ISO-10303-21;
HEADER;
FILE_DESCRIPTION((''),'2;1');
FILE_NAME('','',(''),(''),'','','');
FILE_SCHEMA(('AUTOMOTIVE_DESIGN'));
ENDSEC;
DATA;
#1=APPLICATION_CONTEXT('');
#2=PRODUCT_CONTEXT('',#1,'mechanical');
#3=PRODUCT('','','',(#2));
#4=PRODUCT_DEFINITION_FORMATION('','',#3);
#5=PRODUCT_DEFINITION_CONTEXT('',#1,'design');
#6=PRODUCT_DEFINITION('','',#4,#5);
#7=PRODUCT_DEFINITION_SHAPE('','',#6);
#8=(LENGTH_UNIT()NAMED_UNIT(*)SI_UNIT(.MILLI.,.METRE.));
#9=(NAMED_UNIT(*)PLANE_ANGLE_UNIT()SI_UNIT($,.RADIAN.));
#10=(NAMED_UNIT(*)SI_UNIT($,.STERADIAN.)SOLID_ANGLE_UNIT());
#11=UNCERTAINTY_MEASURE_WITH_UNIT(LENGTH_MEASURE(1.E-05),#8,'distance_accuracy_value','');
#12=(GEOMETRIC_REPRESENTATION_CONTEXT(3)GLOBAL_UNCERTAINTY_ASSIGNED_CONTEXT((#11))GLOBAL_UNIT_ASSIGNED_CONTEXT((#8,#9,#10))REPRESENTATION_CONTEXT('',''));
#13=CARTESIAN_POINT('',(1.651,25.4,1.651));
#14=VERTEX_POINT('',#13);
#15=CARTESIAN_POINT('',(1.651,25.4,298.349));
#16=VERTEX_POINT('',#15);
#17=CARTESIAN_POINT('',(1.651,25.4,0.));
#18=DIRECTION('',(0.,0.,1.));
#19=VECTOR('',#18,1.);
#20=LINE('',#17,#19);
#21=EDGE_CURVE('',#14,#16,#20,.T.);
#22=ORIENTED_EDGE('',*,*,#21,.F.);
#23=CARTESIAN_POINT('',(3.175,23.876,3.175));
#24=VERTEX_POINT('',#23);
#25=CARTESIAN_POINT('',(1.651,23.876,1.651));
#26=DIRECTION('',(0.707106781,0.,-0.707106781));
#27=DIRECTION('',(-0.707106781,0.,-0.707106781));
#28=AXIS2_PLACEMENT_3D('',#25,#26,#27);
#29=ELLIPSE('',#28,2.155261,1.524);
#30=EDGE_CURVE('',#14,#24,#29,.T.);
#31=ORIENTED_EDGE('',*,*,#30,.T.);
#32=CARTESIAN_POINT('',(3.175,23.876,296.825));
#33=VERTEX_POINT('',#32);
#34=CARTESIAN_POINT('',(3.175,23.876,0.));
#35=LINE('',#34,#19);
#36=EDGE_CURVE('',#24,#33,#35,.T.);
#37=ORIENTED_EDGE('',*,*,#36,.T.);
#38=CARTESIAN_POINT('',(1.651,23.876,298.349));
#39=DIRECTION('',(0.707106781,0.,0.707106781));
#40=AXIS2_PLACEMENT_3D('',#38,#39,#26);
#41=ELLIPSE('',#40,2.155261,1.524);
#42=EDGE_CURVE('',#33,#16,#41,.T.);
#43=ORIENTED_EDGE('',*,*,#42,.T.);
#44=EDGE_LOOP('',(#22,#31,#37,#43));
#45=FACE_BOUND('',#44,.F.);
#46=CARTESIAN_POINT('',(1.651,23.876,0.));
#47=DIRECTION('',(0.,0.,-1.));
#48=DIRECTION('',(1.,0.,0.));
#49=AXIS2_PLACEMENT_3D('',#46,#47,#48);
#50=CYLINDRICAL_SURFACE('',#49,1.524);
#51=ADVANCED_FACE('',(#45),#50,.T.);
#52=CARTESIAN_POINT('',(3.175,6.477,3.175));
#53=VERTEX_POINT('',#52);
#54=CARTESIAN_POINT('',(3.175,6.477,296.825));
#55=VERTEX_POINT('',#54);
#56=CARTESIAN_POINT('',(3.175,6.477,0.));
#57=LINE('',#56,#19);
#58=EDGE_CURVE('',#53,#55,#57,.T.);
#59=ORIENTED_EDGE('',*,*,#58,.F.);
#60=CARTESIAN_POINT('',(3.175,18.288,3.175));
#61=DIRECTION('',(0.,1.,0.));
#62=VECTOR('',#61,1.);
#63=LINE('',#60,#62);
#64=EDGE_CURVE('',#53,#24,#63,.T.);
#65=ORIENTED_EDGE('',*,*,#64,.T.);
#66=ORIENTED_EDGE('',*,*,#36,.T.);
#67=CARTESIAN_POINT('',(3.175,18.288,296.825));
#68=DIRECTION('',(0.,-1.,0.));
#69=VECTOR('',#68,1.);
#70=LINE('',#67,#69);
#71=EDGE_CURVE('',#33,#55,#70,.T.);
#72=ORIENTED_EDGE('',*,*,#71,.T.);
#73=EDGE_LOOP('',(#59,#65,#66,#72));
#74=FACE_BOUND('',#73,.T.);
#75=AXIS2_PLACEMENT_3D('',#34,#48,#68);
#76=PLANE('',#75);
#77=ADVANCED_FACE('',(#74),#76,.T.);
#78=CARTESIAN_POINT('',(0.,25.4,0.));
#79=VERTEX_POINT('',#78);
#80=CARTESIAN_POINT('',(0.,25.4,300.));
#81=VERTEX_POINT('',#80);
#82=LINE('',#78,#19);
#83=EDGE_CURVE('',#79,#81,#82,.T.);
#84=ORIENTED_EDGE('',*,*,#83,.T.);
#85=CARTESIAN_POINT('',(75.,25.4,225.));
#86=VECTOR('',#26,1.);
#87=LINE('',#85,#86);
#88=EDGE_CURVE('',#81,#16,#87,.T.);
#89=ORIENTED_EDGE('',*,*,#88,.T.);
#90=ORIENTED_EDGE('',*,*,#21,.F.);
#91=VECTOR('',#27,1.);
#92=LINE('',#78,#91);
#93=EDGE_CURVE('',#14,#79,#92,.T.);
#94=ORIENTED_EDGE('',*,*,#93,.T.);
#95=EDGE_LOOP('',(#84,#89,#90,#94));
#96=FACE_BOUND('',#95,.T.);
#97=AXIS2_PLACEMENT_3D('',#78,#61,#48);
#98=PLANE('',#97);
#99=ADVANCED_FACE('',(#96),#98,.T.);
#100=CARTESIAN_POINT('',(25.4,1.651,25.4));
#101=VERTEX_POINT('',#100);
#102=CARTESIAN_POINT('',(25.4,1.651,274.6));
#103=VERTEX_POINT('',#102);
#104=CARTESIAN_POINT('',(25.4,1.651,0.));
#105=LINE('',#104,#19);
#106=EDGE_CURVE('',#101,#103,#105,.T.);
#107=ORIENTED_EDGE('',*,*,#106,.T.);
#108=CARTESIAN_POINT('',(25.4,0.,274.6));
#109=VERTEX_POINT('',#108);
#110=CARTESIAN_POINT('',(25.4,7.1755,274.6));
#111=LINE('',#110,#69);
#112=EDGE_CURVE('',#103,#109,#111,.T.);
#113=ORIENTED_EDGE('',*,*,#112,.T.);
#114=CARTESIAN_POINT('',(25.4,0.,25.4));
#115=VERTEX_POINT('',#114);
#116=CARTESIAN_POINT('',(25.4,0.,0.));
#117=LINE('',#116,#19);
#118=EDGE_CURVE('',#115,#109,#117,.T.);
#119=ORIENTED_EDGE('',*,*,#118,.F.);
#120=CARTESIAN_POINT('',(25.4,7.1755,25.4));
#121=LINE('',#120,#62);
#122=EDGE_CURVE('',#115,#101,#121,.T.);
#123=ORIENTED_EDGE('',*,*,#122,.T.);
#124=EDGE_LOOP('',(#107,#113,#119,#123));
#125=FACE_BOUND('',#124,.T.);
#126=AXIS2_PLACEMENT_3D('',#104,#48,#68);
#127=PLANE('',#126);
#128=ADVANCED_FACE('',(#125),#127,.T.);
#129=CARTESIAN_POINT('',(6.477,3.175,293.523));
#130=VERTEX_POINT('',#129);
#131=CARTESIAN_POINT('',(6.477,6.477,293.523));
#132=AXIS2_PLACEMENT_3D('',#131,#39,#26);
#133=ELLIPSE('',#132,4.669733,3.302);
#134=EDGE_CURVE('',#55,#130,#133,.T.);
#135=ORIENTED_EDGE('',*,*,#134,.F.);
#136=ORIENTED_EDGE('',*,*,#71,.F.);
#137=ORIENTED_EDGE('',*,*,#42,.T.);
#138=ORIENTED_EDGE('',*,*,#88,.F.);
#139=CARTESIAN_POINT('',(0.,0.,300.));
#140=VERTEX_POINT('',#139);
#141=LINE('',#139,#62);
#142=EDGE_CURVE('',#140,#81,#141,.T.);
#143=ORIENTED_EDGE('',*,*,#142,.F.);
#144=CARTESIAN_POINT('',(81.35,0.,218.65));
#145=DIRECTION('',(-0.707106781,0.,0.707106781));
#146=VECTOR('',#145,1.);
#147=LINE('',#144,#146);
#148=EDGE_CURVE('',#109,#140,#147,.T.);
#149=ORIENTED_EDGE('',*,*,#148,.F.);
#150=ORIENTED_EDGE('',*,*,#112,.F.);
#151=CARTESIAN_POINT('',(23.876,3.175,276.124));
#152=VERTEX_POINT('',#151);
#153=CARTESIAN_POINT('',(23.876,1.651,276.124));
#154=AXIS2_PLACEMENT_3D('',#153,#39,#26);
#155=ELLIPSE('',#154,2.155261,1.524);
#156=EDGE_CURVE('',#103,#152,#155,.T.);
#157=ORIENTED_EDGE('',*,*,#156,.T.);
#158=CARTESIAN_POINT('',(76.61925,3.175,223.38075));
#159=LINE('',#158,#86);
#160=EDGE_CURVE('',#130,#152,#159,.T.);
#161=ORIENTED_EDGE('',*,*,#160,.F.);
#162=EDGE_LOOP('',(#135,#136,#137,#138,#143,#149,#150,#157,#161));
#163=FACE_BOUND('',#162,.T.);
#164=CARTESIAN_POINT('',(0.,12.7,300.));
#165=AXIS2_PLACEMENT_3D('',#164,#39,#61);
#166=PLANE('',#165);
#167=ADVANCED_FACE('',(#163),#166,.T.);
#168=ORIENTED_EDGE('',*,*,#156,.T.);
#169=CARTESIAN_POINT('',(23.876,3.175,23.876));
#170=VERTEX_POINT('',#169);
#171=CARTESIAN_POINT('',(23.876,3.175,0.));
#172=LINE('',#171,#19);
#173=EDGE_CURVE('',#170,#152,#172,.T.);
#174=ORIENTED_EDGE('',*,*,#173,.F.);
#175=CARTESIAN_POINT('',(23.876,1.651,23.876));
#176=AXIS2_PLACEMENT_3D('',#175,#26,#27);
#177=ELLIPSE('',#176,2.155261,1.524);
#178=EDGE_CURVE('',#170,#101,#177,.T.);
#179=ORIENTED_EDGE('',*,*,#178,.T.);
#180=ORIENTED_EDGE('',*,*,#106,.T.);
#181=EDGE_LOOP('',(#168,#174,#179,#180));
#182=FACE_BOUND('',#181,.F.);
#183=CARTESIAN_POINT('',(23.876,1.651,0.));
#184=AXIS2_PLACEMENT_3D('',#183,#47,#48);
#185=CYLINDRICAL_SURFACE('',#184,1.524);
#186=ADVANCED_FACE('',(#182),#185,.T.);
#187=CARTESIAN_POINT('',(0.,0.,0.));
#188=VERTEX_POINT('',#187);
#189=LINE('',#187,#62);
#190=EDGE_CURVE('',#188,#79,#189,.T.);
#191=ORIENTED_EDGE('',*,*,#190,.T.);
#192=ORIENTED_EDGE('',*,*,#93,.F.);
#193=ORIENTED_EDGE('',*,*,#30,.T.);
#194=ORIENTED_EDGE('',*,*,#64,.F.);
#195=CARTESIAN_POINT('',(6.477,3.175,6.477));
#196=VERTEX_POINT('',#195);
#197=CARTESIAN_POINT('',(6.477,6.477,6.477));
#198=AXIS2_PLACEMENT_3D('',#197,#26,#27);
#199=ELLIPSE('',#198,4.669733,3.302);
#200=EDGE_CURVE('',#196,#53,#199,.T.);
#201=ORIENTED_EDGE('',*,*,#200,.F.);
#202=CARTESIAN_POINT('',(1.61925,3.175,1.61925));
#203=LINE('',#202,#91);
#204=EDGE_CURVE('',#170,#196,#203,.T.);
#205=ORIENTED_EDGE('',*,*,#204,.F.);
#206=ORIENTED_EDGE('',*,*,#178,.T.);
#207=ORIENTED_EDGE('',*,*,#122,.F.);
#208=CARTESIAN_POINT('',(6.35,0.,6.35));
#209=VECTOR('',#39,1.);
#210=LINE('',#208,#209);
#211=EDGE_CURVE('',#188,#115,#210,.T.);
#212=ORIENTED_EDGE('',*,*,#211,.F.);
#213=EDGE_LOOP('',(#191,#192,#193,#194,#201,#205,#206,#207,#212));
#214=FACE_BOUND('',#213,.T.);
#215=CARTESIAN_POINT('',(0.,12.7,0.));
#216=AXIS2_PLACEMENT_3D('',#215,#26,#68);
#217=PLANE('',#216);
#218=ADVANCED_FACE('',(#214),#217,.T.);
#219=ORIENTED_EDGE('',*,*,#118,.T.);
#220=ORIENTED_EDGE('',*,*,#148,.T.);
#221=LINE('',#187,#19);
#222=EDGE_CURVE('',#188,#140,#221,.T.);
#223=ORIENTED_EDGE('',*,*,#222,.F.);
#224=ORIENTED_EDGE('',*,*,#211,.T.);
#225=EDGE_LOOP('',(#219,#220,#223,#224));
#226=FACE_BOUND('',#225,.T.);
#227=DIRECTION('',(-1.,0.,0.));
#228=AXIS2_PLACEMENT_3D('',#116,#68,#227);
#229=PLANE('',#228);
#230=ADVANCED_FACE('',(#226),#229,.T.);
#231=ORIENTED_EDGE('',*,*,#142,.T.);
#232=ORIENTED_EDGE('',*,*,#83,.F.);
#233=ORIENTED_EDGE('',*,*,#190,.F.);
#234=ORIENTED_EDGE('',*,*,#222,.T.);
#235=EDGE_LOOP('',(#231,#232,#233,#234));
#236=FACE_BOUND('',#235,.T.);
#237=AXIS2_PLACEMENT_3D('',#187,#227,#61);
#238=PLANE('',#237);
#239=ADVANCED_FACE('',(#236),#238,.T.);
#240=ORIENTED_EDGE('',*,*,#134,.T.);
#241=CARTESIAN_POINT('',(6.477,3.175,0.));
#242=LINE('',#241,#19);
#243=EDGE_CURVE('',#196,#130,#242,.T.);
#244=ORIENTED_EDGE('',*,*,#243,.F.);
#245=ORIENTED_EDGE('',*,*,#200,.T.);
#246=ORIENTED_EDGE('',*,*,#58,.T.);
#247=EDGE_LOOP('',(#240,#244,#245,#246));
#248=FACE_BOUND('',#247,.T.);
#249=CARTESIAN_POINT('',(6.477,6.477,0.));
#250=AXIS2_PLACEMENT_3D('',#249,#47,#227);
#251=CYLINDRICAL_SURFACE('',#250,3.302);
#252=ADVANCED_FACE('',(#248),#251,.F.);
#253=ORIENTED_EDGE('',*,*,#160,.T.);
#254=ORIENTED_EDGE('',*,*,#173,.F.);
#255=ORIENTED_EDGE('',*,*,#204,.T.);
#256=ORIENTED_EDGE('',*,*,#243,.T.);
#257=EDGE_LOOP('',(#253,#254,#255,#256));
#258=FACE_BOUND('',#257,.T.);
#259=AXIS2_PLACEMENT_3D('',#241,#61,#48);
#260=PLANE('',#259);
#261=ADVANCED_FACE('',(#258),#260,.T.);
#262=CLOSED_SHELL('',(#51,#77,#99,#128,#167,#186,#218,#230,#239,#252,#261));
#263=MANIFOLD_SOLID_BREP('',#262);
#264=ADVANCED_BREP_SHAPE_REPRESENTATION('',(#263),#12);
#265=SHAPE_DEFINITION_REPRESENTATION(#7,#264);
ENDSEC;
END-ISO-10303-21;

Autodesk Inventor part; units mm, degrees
ref_plane "Start Plane" through (0, 0, 0) normal (0, 0, 1) x (1, 0, 0)
ref_plane "End Plane" through (0, 0, 300) normal (0, 0, 1) x (1, 0, 0)
sketch "Sketch" plane through (0, 0, 0) normal (0, 0, 1) x (1, 0, 0)
  line L0 (25.4, 0) -> (0, 0)
  line L1 (0, 0) -> (0, 25.4)
  line L2 (0, 25.4) -> (1.651, 25.4)
  line L3 (3.175, 23.876) -> (3.175, 6.477)
  line L4 (6.477, 3.175) -> (23.876, 3.175)
  line L5 (25.4, 1.651) -> (25.4, 0)
  line L6 (0, -11.0414) -> (0, 31.5385) construction
  line L7 (-11.0414, 0) -> (31.5385, 0) construction
  arc A0 (3.175, 6.477) -> (6.477, 3.175) centre (6.477, 6.477) ccw
  arc A1 (3.175, 23.876) -> (1.651, 25.4) centre (1.651, 23.876) ccw
  arc A2 (25.4, 1.651) -> (23.876, 3.175) centre (23.876, 1.651) ccw
  line L8 (0, 40.0545) -> (0, -19.5574) construction
  line L9 (-19.5574, 0) -> (40.0545, 0) construction
  point P0 (3.175, 25.4)
  point P1 (3.175, 3.175)
  point P2 (25.4, 3.175)
  dimension "d0" = 25.4
  dimension "d1" = 25.4
  dimension "d2" = 3.175
  dimension "d3" = 3.175
  dimension "d10" = 0
  dimension "d11" = 0
  dimension "d14" = 3.302
  dimension "d15" = 1.524
extrude "Body" add sketch "Sketch" along normal up to surface (300 mm away) from surface at 0
sketch "Sketch3" plane through (0, 0, 0) normal (0, 0, 1) x (1, 0, 0)
  line L0 (0, 0) -> (10, 0)
ref_plane "Work Plane3" through (0, 0, 0) normal (0, -1, 0) x (1, 0, 0)
ref_plane "Work Plane4" through (0, 12.7, 300) normal (0.7071, 0, 0.7071) x (0.7071, 0, -0.7071)
split "Split1" plane through (0, 12.7, 300) removes the side toward (0.7071, 0, 0.7071)
ref_plane "Work Plane5" through (0, 12.7, 0) normal (0.7071, 0, -0.7071) x (-0.7071, 0, -0.7071)
split "Split2" plane through (0, 12.7, 0) removes the side toward (0.7071, 0, -0.7071)
sketch "Sketch4" plane through (0, 0, 0) normal (0, -1, 0) x (1, 0, 0)
  line L0 (-2, 0) -> (12, 0) projected
  line L1 (-2, 300) -> (12, 300) projected
  dimension "d17" = 300
equation "\"d0\" = G_H"
equation "\"d1\" = G_H"
equation "\"d2\" = G_T"
equation "\"d3\" = G_T"
equation "\"d14\" = G_IR"
equation "\"d15\" = G_ER"
equation "\"d4\" = G_L"
equation "\"G_H\" = 25.4"
equation "\"G_T\" = 3.175"
equation "\"G_ER\" = 1.524"
equation "\"G_IR\" = 3.302"
equation "\"G_L\" = d17"
equation "\"ex\" = 0"
equation "\"G_OFFSET_START\" = 0"
equation "\"G_OFFSET_END\" = 0"
equation "\"d13\" = G_OFFSET_END + B_L"
equation "\"B_L\" = 300"
properties part number "AISC - L 1 x 1 x 1/8 - 11.811" material "Steel, Mild"
